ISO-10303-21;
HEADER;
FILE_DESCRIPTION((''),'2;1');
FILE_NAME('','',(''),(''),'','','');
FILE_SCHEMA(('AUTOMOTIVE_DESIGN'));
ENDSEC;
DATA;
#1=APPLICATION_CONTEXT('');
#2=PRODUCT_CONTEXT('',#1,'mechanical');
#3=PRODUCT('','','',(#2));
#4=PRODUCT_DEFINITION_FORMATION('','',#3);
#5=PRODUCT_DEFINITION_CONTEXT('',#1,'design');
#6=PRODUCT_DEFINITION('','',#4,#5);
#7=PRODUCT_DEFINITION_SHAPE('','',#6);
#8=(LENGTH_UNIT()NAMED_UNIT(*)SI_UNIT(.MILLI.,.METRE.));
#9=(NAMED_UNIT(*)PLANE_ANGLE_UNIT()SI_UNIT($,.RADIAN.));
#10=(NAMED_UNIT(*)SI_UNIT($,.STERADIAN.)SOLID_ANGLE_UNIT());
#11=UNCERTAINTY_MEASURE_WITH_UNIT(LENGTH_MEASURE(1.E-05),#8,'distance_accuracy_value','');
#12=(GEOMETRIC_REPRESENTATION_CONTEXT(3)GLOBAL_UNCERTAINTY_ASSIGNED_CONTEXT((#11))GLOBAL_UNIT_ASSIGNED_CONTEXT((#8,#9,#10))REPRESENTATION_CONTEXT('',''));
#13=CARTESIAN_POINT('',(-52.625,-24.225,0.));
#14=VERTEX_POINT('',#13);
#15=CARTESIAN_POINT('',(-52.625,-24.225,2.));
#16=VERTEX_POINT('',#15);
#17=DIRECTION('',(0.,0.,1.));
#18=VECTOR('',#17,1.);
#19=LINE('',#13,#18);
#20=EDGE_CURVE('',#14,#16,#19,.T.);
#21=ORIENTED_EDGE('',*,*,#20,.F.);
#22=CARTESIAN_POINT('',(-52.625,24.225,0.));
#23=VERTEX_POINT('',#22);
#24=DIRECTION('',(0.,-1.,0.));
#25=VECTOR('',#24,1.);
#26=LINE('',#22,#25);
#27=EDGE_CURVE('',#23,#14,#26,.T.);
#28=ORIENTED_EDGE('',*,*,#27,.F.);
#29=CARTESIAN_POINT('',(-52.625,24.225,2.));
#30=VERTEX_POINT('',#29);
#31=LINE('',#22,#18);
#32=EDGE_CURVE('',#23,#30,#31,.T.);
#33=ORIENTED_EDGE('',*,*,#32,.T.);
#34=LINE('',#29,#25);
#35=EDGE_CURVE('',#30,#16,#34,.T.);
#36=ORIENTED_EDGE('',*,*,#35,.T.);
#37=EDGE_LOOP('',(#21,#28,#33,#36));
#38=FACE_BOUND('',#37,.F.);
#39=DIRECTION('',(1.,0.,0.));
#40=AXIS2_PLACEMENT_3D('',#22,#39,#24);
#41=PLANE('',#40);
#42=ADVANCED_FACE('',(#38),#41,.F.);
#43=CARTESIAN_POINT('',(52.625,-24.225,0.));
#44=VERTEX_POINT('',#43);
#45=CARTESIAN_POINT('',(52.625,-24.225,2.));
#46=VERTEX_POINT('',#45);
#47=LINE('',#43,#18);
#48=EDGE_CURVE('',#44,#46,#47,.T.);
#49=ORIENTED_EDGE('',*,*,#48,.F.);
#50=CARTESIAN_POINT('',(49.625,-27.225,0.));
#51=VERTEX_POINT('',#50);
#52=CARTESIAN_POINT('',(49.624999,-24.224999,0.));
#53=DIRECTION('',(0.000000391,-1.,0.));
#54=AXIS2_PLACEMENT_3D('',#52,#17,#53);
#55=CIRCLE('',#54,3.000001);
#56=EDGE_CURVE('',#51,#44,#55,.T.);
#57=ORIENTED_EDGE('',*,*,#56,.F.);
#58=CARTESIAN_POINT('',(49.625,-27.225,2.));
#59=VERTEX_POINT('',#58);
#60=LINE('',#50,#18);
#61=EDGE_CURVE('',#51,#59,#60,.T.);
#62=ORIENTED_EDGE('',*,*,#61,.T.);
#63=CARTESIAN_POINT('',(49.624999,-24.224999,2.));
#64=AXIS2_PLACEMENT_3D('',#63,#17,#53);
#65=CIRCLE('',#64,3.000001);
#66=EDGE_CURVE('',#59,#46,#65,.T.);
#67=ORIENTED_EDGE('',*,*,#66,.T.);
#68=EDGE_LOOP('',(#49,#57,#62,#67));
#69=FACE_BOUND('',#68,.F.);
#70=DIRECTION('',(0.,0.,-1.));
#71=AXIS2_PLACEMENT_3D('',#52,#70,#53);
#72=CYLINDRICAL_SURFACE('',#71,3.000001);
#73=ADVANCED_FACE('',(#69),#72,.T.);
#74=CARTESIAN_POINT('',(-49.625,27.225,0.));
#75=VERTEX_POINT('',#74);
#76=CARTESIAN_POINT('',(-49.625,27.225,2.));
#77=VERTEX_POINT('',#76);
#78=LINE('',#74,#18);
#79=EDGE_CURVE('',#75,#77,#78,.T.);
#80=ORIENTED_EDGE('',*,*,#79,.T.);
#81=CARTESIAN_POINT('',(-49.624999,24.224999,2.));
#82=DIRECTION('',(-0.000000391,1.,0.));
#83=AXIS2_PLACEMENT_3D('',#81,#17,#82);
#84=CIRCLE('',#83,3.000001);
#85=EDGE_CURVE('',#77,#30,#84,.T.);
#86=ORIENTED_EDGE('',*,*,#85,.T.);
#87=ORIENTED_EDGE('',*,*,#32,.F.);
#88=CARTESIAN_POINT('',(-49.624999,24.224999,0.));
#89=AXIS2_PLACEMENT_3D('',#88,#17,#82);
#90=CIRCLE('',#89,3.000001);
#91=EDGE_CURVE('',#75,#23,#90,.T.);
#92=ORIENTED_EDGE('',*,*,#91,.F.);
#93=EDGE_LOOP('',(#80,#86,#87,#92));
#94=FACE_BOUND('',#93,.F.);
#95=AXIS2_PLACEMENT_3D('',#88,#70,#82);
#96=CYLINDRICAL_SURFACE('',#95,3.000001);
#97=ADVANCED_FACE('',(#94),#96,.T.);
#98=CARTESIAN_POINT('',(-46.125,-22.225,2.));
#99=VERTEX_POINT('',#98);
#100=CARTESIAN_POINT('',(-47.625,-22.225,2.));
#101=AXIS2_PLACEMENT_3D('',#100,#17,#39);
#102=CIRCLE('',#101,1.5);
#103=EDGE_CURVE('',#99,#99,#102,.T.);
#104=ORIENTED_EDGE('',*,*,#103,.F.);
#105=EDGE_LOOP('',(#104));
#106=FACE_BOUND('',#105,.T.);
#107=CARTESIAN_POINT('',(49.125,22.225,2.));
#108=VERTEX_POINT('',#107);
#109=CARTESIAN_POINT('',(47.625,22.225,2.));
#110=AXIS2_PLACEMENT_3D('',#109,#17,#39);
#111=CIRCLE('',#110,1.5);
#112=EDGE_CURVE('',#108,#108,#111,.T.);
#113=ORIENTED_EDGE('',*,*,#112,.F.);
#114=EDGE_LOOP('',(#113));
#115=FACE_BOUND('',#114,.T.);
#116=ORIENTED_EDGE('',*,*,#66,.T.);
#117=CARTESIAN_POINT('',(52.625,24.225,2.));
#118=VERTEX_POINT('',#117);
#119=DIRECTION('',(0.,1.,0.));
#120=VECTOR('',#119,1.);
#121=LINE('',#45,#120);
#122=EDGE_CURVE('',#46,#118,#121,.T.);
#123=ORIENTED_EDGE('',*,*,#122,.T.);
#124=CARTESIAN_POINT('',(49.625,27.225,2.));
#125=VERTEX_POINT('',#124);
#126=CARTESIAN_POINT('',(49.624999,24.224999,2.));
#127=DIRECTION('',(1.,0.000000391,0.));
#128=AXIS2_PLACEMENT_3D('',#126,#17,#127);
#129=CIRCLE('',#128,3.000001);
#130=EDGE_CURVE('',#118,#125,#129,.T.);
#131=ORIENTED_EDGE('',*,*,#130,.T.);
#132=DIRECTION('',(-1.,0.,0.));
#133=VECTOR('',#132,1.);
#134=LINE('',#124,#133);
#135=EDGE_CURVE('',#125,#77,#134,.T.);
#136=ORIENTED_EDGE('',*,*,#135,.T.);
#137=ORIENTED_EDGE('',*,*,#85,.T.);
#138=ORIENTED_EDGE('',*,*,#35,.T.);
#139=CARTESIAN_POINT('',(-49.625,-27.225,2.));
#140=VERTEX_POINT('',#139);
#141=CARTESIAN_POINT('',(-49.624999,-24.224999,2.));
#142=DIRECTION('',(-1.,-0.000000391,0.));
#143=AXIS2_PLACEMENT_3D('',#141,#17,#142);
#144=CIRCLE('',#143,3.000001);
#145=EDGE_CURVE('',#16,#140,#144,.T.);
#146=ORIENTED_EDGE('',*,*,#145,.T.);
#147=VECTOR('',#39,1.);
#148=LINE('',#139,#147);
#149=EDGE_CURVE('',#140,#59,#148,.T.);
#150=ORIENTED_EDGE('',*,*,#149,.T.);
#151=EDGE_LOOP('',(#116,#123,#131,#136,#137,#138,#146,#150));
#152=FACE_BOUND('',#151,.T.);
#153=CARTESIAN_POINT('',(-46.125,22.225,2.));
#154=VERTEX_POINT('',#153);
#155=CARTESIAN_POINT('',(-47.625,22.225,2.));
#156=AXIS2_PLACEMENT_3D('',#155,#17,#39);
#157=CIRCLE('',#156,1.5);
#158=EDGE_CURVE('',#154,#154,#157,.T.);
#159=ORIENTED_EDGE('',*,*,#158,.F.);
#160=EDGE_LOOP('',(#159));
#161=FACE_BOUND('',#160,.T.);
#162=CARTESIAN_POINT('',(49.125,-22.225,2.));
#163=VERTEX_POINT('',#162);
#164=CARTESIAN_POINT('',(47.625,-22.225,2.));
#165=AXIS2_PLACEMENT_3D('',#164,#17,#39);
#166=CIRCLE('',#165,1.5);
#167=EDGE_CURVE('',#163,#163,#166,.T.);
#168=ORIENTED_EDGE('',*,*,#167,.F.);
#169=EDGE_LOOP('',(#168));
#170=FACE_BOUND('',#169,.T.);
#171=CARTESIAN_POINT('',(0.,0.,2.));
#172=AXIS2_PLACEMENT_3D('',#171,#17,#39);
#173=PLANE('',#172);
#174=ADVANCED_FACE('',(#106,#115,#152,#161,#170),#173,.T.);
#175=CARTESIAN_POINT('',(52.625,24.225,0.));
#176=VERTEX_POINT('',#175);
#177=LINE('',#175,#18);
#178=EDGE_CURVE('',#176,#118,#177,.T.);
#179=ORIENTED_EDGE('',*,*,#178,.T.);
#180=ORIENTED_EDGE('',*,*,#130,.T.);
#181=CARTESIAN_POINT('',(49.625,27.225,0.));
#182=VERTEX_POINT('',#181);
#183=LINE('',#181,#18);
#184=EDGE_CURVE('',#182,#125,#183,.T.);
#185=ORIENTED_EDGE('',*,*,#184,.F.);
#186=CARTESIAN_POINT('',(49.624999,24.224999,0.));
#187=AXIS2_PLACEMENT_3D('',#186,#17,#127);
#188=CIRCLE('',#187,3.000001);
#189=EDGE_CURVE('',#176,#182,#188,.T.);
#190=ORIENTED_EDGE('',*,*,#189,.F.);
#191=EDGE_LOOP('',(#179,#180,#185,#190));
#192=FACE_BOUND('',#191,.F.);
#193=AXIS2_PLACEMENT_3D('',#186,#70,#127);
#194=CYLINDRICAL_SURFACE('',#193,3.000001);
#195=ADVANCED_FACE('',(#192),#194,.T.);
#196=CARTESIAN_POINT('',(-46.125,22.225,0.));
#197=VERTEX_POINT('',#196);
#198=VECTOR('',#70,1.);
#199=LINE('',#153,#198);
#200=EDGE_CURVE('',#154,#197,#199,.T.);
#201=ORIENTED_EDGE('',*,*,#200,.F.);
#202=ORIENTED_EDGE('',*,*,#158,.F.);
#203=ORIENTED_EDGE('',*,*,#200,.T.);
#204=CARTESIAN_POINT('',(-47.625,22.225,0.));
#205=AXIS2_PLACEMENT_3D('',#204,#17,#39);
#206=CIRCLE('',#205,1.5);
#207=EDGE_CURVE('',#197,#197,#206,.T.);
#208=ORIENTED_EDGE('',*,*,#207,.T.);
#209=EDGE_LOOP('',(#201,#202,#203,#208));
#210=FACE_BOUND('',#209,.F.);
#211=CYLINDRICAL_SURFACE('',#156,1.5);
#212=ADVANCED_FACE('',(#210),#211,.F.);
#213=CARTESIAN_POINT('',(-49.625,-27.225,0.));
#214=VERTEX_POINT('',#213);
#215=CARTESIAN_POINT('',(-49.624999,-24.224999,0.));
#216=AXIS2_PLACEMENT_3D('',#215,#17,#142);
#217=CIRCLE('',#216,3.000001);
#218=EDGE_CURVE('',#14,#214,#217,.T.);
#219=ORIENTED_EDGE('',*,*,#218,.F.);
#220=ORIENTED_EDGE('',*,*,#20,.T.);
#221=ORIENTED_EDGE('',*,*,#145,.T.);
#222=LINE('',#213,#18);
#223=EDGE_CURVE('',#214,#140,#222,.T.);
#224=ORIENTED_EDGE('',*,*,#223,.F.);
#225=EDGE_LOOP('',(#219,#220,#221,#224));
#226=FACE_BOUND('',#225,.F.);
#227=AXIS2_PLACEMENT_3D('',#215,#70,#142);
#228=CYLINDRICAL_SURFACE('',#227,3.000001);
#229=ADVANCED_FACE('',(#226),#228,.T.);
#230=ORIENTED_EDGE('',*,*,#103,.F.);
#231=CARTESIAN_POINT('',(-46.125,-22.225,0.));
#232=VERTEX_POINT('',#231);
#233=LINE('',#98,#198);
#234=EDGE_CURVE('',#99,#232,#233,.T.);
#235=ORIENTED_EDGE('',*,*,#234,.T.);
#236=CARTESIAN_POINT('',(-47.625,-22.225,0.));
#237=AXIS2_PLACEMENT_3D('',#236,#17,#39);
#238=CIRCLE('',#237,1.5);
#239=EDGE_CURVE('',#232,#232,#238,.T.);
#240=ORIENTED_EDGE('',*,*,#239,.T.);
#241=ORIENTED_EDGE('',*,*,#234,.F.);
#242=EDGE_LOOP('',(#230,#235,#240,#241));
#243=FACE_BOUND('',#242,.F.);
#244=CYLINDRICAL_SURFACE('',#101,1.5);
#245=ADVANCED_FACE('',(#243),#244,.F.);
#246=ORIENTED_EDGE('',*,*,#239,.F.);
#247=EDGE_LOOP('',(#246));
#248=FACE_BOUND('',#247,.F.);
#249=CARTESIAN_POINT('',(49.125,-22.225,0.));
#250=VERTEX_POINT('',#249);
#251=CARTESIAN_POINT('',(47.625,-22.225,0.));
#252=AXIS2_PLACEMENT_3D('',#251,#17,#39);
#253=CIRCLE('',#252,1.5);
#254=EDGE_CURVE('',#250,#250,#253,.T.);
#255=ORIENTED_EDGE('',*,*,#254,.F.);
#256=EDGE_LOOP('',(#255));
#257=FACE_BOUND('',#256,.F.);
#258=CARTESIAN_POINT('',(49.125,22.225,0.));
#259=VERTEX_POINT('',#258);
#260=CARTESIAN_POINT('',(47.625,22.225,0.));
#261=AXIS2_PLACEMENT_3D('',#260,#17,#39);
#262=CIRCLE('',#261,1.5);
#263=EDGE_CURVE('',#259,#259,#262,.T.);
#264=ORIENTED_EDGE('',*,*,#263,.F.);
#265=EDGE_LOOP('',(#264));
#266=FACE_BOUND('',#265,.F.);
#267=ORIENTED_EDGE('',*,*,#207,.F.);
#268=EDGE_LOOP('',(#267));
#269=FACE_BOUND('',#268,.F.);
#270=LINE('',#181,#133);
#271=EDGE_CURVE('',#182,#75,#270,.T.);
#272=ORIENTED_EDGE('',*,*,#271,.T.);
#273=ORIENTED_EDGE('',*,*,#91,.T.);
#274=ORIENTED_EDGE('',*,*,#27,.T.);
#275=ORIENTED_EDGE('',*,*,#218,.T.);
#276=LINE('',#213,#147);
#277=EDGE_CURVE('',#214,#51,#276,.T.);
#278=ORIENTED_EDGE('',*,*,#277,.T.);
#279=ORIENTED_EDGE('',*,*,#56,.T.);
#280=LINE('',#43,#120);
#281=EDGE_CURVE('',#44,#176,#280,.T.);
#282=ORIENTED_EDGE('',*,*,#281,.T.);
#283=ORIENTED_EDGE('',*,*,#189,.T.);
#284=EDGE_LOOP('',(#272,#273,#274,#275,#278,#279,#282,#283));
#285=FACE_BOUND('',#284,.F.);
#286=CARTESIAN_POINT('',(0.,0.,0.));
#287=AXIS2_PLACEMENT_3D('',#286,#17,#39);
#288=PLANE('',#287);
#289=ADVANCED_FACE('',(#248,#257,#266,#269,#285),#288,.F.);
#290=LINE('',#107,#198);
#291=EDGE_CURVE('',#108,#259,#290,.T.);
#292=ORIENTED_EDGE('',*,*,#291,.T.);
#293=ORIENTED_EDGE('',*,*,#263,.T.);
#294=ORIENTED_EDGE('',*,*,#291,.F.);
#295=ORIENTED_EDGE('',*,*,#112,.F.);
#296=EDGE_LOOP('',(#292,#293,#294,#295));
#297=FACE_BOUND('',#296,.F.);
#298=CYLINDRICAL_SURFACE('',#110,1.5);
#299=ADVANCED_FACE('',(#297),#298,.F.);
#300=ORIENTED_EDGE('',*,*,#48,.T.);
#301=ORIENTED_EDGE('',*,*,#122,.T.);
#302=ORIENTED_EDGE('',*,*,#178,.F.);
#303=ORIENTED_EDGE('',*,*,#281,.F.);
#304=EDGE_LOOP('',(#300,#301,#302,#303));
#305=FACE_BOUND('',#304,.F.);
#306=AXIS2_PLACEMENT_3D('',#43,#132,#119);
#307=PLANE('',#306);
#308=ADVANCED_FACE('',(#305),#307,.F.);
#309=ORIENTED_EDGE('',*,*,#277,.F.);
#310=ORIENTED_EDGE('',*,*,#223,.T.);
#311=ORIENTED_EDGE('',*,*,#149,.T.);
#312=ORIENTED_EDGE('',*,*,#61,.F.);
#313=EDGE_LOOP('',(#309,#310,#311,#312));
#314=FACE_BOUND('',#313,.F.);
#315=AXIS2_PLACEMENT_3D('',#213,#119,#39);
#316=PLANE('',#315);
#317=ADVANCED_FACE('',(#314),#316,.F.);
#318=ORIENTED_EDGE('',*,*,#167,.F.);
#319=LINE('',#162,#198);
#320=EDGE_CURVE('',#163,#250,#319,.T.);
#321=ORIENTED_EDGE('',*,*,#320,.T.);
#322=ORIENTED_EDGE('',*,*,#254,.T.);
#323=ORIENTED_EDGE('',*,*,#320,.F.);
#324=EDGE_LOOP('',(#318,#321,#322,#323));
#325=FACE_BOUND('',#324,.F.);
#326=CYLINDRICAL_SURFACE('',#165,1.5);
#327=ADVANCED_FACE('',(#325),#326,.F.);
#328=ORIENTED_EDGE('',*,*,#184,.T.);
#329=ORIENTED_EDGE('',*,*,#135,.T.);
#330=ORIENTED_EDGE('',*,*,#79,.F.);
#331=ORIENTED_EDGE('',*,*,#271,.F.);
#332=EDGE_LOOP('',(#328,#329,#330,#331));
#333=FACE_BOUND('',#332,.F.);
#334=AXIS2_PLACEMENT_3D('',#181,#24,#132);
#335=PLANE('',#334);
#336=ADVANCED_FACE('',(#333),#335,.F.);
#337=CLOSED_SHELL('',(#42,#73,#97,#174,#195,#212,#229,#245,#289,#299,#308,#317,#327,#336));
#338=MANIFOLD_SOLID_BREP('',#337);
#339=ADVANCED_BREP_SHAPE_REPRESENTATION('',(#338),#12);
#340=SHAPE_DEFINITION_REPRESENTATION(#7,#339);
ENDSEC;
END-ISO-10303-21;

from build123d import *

# Parameters (mm, degrees)
PAD_DEPTH    = 2
SKETCH001_R  = 1.5
POCKET_DEPTH = 2.001


with BuildPart() as part:
    # Sketch → Pad (new body)
    with BuildSketch(Plane.XY):
        with BuildLine():
            Line((-52.625, 24.225), (-52.625, -24.225))
            ThreePointArc((-52.625, -24.225), (-51.74632, -26.34632), (-49.625, -27.225))
            Line((-49.625, -27.225), (49.625, -27.225))
            ThreePointArc((49.625, -27.225), (51.74632, -26.34632), (52.625, -24.225))
            Line((52.625, -24.225), (52.625, 24.225))
            ThreePointArc((52.625, 24.225), (51.74632, 26.34632), (49.625, 27.225))
            Line((49.625, 27.225), (-49.625, 27.225))
            ThreePointArc((-49.625, 27.225), (-51.74632, 26.34632), (-52.625, 24.225))
        make_face()
    extrude(amount=PAD_DEPTH)

    # Sketch001 (on Face10 of Pad) → Pocket (cut, through all)
    with BuildSketch(Plane.XY.offset(2)):
        with Locations((-47.625, -22.225)):
            Circle(SKETCH001_R)
        with Locations((47.625, -22.225)):
            Circle(SKETCH001_R)
        with Locations((47.625, 22.225)):
            Circle(SKETCH001_R)
        with Locations((-47.625, 22.225)):
            Circle(SKETCH001_R)
    extrude(amount=-POCKET_DEPTH, mode=Mode.SUBTRACT)


solid = part.part
